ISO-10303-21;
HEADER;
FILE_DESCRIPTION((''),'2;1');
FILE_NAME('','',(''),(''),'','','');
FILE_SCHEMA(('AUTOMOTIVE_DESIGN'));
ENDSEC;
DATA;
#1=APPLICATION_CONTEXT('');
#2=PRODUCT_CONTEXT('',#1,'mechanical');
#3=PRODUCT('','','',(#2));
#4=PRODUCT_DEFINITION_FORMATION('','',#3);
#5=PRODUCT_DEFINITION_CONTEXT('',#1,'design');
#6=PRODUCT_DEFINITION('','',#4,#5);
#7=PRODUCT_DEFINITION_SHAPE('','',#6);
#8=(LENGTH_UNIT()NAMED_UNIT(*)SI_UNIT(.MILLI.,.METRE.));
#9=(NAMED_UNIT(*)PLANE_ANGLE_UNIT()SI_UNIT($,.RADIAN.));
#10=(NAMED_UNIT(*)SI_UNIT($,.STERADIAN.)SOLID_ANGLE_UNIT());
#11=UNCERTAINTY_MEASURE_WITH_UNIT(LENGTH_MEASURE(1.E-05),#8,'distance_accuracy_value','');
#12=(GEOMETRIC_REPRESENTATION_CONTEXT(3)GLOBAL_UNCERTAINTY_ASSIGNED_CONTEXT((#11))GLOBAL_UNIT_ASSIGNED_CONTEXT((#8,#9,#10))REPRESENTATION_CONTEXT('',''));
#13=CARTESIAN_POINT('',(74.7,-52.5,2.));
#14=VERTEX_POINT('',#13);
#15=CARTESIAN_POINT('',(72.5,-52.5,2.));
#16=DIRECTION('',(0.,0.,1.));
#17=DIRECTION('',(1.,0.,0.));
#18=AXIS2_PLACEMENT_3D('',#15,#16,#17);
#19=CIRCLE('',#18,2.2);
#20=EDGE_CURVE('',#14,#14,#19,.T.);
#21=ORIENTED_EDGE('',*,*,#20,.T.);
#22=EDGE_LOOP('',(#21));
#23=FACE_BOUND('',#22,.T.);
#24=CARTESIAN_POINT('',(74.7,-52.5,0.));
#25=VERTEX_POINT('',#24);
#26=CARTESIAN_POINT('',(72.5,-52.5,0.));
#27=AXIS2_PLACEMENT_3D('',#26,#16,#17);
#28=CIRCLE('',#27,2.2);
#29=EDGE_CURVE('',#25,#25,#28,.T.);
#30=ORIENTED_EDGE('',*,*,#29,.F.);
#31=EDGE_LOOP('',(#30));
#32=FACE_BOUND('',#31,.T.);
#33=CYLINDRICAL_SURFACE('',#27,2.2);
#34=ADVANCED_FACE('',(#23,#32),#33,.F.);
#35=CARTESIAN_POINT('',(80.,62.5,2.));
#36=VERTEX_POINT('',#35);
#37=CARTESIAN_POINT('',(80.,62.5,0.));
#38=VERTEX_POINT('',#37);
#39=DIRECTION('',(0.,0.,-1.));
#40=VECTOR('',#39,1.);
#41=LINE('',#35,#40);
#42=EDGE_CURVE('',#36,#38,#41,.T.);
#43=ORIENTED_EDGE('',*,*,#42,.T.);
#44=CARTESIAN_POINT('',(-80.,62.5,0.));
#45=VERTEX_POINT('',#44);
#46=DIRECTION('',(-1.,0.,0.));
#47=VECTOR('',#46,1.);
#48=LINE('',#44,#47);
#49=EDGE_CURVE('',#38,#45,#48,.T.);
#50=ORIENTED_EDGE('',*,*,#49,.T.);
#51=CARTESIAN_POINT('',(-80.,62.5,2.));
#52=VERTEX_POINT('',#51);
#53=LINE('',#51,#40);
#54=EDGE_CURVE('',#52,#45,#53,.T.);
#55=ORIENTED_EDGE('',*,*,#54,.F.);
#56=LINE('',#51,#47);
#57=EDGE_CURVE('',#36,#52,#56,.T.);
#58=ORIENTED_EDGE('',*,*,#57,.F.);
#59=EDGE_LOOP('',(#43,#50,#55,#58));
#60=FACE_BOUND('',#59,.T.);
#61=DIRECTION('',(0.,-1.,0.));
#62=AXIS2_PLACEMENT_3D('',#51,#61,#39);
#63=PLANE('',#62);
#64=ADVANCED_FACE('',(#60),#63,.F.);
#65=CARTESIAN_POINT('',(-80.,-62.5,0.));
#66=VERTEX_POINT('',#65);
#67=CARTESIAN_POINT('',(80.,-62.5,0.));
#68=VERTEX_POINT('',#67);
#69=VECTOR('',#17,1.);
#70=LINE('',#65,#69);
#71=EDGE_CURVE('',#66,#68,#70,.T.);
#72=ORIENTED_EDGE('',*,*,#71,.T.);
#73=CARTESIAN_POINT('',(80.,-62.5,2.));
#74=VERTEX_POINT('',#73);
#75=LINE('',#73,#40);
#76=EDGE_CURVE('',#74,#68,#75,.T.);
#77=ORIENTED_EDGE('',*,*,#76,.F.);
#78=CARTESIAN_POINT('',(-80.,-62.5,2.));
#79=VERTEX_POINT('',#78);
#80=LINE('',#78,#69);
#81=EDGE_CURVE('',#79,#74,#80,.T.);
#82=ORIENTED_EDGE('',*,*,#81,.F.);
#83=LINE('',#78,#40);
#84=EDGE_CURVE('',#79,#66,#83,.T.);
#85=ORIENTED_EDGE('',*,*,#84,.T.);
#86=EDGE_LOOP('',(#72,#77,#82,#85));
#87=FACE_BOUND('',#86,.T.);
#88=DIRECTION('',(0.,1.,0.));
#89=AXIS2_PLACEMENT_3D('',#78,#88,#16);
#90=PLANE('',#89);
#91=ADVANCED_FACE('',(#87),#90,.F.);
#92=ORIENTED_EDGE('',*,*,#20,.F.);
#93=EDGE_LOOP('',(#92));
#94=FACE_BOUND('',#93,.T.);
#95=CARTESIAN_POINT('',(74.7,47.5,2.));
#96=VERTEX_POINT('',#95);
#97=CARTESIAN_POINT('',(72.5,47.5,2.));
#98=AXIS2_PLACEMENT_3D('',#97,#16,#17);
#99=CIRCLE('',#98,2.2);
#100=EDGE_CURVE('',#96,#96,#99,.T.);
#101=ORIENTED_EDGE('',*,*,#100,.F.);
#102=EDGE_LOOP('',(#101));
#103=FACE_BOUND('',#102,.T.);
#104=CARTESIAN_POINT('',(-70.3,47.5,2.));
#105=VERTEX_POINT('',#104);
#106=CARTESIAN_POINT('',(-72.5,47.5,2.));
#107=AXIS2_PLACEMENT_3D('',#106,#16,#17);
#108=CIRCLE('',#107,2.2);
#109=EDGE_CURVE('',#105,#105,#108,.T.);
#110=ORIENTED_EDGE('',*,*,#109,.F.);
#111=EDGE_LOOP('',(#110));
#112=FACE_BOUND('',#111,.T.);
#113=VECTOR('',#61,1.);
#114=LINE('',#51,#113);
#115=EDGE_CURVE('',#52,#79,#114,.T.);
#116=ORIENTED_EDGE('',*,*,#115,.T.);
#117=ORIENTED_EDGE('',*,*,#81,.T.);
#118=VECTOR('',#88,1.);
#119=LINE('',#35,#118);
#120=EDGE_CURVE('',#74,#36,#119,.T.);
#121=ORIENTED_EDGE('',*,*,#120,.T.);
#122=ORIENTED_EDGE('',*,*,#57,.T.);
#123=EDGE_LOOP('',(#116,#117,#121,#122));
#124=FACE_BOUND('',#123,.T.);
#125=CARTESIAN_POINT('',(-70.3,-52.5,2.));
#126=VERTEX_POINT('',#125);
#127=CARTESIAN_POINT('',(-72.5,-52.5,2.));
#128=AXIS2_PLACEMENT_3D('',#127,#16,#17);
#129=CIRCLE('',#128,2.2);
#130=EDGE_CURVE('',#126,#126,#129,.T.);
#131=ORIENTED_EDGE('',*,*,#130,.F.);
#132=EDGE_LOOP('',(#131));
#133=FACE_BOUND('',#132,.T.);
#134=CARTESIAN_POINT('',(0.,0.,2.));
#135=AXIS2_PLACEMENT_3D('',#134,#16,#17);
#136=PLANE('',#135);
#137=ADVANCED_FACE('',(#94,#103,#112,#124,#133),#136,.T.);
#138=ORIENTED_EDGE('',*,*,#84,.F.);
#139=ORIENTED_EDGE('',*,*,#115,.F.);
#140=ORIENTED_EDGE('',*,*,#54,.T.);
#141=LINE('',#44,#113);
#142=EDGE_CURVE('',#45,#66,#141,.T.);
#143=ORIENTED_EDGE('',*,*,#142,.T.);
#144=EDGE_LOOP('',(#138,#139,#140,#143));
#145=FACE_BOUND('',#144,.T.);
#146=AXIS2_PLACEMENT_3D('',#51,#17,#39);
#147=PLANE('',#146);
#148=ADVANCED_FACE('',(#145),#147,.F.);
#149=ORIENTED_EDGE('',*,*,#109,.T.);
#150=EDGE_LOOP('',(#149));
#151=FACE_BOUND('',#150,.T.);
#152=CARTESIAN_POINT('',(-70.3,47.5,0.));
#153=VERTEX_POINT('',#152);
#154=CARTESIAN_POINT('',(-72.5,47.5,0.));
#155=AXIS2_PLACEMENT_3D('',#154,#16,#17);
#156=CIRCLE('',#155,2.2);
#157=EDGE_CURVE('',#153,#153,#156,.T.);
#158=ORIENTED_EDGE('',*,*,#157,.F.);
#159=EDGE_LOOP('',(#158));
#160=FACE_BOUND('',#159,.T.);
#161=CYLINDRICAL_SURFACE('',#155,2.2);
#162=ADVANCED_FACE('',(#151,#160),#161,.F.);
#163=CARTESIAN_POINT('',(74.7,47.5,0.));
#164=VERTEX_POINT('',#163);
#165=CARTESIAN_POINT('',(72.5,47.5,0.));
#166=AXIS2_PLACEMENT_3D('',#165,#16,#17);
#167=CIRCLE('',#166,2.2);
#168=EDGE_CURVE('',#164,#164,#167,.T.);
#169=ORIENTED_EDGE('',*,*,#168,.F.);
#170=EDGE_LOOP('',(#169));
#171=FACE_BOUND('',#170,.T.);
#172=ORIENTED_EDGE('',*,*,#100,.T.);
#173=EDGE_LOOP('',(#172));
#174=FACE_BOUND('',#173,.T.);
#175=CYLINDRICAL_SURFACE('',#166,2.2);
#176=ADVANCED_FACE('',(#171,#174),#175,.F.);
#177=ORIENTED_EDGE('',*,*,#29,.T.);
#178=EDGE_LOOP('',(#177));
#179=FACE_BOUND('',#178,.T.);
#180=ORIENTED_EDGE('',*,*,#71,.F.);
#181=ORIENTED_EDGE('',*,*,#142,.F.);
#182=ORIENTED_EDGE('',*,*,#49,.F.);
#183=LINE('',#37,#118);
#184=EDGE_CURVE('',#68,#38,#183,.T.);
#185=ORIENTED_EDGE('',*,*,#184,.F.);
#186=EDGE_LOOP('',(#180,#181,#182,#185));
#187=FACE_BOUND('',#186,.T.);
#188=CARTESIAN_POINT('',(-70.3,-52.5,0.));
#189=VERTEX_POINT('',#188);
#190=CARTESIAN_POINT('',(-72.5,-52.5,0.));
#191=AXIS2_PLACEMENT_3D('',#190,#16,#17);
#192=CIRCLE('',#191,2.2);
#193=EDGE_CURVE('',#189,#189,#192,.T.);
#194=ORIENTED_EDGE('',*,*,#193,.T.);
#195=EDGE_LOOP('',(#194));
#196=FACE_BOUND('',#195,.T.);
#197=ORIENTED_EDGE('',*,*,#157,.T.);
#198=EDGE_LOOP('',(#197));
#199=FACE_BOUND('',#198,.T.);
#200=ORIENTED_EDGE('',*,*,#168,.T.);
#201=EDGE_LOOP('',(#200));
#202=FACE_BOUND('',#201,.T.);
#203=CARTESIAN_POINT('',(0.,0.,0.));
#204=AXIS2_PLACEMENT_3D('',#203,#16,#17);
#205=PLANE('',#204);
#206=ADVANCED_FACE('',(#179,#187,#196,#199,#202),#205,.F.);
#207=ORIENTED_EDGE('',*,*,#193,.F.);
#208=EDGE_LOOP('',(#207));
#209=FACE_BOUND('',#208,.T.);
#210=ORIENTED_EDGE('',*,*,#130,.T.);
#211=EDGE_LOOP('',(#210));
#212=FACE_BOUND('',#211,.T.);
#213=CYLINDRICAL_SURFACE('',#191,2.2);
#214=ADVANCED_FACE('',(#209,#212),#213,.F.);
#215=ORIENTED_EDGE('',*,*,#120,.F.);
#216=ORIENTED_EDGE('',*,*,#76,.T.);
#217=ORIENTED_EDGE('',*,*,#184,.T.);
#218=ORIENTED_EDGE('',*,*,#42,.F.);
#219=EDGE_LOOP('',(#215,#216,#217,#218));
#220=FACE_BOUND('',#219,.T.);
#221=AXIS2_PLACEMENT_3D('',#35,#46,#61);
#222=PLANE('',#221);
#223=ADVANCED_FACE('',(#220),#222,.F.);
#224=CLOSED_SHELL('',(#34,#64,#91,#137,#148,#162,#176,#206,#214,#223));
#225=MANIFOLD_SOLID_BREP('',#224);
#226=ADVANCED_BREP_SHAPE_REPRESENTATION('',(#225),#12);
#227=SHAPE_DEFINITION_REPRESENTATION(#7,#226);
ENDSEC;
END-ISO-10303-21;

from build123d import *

# Parameters (mm, degrees)
SKETCH_1_W          = 160
SKETCH_1_H          = 125
EXTRUDE_1_DEPTH     = 2
SKETCH_2_R          = 2.2
CUT_EXTRUDE_1_DEPTH = 2


with BuildPart() as part:
    # ｽｹｯﾁ1 → ﾎﾞｽ - 押し出し1 (new body)
    with BuildSketch(Plane.XY):
        Rectangle(SKETCH_1_W, SKETCH_1_H)
    extrude(amount=EXTRUDE_1_DEPTH)

    # ｽｹｯﾁ2 → ｶｯﾄ - 押し出し1 (cut)
    with BuildSketch(Plane.XY.offset(2)):
        with Locations((72.5, -52.5)):
            Circle(SKETCH_2_R)
        with Locations((-72.5, -52.5)):
            Circle(SKETCH_2_R)
        with Locations((-72.5, 47.5)):
            Circle(SKETCH_2_R)
        with Locations((72.5, 47.5)):
            Circle(SKETCH_2_R)
    extrude(amount=-CUT_EXTRUDE_1_DEPTH, mode=Mode.SUBTRACT)


solid = part.part
